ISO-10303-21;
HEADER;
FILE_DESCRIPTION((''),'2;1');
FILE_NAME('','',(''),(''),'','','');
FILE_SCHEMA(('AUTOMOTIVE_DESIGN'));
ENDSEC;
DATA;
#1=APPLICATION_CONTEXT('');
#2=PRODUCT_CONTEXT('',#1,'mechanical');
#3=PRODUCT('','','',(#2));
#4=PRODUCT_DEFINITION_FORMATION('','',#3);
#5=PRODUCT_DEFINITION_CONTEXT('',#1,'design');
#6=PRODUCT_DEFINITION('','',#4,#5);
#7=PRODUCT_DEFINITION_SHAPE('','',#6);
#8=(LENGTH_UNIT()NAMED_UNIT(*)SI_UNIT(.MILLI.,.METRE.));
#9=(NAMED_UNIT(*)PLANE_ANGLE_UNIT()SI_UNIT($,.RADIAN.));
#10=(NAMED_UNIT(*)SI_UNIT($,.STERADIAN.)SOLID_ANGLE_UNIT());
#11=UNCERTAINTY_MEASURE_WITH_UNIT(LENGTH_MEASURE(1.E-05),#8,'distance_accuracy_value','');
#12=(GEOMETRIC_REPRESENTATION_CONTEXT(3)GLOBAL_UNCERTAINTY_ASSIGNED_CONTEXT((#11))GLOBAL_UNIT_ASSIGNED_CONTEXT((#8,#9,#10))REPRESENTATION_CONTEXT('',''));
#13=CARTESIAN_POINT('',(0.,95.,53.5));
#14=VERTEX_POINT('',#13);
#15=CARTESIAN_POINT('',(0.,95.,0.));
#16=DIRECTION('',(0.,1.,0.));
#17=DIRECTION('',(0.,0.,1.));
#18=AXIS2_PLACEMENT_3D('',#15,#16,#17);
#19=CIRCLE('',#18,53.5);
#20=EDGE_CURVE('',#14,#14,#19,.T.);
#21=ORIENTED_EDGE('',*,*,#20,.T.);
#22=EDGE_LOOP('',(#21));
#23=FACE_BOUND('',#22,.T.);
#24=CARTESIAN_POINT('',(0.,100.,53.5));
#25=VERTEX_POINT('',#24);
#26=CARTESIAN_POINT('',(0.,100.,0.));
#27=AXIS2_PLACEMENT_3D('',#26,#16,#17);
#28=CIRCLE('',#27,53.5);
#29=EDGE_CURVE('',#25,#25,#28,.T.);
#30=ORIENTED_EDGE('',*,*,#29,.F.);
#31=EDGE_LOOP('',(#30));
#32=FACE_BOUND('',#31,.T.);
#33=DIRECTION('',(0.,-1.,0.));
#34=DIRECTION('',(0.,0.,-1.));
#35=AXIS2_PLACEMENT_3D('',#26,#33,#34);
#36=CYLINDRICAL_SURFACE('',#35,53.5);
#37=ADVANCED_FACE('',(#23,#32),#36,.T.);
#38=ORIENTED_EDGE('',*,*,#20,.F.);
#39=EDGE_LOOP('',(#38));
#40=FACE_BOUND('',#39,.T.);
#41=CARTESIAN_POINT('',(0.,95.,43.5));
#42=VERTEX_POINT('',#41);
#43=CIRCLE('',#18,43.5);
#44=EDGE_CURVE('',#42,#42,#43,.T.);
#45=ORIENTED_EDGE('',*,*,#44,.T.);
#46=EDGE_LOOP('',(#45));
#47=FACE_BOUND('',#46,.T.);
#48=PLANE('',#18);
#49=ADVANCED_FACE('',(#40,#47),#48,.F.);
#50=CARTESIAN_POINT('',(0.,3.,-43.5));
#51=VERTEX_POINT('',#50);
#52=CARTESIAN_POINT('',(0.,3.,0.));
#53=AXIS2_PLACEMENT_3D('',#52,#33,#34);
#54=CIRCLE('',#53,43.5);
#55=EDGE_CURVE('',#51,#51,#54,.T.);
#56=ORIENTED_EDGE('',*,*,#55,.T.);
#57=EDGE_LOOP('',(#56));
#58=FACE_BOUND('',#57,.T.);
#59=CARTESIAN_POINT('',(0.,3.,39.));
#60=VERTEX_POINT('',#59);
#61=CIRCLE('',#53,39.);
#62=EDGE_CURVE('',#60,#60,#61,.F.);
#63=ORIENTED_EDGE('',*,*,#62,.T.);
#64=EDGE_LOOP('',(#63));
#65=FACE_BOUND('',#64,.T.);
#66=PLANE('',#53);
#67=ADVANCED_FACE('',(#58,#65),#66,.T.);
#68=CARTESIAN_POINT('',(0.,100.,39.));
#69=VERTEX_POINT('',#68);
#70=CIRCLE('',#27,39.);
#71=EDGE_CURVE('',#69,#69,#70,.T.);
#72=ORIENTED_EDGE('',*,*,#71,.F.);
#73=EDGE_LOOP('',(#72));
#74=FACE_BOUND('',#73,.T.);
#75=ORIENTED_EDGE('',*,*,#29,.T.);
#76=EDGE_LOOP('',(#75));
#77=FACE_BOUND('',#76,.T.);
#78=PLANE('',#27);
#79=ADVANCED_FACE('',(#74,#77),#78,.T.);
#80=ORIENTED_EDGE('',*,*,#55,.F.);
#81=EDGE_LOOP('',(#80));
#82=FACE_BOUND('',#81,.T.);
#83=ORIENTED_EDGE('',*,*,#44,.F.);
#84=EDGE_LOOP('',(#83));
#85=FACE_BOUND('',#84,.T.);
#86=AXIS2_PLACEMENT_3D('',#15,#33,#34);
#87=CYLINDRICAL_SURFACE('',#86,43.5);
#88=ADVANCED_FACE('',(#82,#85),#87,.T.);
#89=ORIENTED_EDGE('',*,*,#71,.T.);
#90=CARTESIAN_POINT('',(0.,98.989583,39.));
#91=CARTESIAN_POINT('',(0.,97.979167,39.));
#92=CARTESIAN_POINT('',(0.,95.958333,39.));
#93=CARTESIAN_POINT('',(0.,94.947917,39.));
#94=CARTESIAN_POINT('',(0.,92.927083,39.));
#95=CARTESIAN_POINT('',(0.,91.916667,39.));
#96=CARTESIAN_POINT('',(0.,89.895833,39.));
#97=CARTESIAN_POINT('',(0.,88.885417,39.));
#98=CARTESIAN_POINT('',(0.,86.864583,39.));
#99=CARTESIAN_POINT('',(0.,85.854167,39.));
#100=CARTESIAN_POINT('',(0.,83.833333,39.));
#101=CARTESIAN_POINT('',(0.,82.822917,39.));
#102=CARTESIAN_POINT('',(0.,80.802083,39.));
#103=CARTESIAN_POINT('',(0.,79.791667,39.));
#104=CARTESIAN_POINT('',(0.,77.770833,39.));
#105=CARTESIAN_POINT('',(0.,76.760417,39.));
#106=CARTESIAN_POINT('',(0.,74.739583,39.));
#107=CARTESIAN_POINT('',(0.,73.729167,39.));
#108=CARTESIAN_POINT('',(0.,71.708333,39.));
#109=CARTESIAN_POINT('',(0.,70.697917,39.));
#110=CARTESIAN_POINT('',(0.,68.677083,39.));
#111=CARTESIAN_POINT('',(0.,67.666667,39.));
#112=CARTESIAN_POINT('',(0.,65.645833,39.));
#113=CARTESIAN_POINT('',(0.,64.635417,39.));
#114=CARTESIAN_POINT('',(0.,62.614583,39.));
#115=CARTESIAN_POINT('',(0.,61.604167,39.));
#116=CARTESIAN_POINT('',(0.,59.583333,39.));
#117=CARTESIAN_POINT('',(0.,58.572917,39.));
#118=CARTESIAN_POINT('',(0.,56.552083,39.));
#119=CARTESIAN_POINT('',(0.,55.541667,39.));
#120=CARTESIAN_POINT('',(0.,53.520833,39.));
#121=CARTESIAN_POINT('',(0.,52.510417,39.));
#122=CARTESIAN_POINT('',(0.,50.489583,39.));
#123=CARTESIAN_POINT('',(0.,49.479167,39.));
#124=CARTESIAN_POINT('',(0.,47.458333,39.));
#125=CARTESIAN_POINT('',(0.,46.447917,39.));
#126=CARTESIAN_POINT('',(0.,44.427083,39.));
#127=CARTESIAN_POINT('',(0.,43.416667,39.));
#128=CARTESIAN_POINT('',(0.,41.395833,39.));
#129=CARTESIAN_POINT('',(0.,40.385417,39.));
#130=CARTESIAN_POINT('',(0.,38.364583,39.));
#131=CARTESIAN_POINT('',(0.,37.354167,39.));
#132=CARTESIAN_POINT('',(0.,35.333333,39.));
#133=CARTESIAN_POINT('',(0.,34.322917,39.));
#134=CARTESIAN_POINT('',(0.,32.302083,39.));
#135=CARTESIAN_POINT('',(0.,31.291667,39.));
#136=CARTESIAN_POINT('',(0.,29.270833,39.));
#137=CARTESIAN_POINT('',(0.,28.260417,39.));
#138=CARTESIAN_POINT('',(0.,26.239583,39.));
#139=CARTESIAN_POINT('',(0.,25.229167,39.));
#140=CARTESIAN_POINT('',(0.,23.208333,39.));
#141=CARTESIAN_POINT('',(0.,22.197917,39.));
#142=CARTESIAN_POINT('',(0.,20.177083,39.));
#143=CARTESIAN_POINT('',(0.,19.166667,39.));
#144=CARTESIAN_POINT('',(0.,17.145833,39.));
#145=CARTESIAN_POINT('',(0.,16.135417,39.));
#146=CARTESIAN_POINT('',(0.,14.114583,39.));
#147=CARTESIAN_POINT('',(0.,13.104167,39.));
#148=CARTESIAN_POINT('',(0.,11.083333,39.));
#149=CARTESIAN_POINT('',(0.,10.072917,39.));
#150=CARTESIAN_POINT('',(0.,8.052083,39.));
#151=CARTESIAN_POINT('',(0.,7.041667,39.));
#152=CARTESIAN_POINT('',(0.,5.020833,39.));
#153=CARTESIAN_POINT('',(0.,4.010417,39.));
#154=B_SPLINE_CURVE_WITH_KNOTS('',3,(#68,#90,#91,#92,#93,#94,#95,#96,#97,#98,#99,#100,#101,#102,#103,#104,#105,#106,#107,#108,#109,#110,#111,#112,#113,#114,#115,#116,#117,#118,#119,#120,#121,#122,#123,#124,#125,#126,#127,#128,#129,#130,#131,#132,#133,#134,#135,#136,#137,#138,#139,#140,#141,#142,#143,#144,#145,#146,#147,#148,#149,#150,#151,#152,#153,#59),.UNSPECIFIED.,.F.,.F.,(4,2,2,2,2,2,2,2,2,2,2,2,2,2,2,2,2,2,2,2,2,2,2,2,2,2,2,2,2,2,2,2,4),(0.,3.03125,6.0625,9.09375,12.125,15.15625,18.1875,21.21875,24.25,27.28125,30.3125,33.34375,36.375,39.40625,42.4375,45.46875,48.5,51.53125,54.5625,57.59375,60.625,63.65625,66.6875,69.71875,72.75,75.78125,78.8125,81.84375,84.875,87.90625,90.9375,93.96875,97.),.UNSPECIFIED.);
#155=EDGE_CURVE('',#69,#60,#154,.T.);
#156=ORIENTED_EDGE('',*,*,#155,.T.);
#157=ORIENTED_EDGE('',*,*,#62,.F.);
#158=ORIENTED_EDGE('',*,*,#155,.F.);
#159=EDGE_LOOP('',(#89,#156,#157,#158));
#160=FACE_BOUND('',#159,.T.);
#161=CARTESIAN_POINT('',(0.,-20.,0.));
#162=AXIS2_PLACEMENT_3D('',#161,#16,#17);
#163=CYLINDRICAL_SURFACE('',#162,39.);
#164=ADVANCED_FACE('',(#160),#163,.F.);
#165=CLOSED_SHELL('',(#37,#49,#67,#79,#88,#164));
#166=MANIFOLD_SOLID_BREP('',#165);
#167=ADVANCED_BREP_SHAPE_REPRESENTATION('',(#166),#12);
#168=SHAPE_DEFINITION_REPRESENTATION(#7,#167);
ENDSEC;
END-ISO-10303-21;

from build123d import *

# Parameters (mm, degrees)
SKETCH1_R           = 43.5
SKETCH1_R_2         = 38.5
BOSS_EXTRUDE3_DEPTH = 95
SKETCH3_R           = 53.5
BOSS_EXTRUDE4_DEPTH = 5
SKETCH4_R           = 38.5
CUT_EXTRUDE1_DEPTH  = 5
SKETCH5_R           = 39
CUT_EXTRUDE2_DEPTH  = 120
SKETCH6_R           = 43.5
CUT_EXTRUDE3_DEPTH  = 3


with BuildPart() as part:
    # Sketch1 → Boss-Extrude3 (new body)
    with BuildSketch(Plane(origin=(0, 0, 0), x_dir=(1, 0, 0), z_dir=(0, 1, 0))):
        with Locations(Location((0, 0, 0), (0, 0, 270))):
            Circle(SKETCH1_R)
        with Locations(Location((0, 0, 0), (0, 0, 270))):
            Circle(SKETCH1_R_2, mode=Mode.SUBTRACT)
    extrude(amount=BOSS_EXTRUDE3_DEPTH)

    # Sketch3 → Boss-Extrude4 (add)
    with BuildSketch(Plane(origin=(0, 95, 0), x_dir=(1, 0, 0), z_dir=(0, 1, 0))):
        with Locations(Location((0, 0, 0), (0, 0, 270))):
            Circle(SKETCH3_R)
    extrude(amount=BOSS_EXTRUDE4_DEPTH)

    # Sketch4 → Cut-Extrude1 (cut)
    with BuildSketch(Plane.XZ.offset(-95)):
        with Locations(Location((0, 0, 0), (0, 0, 270))):
            Circle(SKETCH4_R)
    extrude(amount=-CUT_EXTRUDE1_DEPTH, mode=Mode.SUBTRACT)

    # Sketch5 → Cut-Extrude2 (cut)
    with BuildSketch(Plane(origin=(0, 100, 0), x_dir=(1, 0, 0), z_dir=(0, 1, 0))):
        with Locations(Location((0, 0, 0), (0, 0, 270))):
            Circle(SKETCH5_R)
    extrude(amount=-CUT_EXTRUDE2_DEPTH, mode=Mode.SUBTRACT)

    # Sketch6 → Cut-Extrude3 (cut)
    with BuildSketch(Plane.XZ):
        with Locations(Location((0, 0, 0), (0, 0, 270))):
            Circle(SKETCH6_R)
    extrude(amount=-CUT_EXTRUDE3_DEPTH, mode=Mode.SUBTRACT)


solid = part.part
